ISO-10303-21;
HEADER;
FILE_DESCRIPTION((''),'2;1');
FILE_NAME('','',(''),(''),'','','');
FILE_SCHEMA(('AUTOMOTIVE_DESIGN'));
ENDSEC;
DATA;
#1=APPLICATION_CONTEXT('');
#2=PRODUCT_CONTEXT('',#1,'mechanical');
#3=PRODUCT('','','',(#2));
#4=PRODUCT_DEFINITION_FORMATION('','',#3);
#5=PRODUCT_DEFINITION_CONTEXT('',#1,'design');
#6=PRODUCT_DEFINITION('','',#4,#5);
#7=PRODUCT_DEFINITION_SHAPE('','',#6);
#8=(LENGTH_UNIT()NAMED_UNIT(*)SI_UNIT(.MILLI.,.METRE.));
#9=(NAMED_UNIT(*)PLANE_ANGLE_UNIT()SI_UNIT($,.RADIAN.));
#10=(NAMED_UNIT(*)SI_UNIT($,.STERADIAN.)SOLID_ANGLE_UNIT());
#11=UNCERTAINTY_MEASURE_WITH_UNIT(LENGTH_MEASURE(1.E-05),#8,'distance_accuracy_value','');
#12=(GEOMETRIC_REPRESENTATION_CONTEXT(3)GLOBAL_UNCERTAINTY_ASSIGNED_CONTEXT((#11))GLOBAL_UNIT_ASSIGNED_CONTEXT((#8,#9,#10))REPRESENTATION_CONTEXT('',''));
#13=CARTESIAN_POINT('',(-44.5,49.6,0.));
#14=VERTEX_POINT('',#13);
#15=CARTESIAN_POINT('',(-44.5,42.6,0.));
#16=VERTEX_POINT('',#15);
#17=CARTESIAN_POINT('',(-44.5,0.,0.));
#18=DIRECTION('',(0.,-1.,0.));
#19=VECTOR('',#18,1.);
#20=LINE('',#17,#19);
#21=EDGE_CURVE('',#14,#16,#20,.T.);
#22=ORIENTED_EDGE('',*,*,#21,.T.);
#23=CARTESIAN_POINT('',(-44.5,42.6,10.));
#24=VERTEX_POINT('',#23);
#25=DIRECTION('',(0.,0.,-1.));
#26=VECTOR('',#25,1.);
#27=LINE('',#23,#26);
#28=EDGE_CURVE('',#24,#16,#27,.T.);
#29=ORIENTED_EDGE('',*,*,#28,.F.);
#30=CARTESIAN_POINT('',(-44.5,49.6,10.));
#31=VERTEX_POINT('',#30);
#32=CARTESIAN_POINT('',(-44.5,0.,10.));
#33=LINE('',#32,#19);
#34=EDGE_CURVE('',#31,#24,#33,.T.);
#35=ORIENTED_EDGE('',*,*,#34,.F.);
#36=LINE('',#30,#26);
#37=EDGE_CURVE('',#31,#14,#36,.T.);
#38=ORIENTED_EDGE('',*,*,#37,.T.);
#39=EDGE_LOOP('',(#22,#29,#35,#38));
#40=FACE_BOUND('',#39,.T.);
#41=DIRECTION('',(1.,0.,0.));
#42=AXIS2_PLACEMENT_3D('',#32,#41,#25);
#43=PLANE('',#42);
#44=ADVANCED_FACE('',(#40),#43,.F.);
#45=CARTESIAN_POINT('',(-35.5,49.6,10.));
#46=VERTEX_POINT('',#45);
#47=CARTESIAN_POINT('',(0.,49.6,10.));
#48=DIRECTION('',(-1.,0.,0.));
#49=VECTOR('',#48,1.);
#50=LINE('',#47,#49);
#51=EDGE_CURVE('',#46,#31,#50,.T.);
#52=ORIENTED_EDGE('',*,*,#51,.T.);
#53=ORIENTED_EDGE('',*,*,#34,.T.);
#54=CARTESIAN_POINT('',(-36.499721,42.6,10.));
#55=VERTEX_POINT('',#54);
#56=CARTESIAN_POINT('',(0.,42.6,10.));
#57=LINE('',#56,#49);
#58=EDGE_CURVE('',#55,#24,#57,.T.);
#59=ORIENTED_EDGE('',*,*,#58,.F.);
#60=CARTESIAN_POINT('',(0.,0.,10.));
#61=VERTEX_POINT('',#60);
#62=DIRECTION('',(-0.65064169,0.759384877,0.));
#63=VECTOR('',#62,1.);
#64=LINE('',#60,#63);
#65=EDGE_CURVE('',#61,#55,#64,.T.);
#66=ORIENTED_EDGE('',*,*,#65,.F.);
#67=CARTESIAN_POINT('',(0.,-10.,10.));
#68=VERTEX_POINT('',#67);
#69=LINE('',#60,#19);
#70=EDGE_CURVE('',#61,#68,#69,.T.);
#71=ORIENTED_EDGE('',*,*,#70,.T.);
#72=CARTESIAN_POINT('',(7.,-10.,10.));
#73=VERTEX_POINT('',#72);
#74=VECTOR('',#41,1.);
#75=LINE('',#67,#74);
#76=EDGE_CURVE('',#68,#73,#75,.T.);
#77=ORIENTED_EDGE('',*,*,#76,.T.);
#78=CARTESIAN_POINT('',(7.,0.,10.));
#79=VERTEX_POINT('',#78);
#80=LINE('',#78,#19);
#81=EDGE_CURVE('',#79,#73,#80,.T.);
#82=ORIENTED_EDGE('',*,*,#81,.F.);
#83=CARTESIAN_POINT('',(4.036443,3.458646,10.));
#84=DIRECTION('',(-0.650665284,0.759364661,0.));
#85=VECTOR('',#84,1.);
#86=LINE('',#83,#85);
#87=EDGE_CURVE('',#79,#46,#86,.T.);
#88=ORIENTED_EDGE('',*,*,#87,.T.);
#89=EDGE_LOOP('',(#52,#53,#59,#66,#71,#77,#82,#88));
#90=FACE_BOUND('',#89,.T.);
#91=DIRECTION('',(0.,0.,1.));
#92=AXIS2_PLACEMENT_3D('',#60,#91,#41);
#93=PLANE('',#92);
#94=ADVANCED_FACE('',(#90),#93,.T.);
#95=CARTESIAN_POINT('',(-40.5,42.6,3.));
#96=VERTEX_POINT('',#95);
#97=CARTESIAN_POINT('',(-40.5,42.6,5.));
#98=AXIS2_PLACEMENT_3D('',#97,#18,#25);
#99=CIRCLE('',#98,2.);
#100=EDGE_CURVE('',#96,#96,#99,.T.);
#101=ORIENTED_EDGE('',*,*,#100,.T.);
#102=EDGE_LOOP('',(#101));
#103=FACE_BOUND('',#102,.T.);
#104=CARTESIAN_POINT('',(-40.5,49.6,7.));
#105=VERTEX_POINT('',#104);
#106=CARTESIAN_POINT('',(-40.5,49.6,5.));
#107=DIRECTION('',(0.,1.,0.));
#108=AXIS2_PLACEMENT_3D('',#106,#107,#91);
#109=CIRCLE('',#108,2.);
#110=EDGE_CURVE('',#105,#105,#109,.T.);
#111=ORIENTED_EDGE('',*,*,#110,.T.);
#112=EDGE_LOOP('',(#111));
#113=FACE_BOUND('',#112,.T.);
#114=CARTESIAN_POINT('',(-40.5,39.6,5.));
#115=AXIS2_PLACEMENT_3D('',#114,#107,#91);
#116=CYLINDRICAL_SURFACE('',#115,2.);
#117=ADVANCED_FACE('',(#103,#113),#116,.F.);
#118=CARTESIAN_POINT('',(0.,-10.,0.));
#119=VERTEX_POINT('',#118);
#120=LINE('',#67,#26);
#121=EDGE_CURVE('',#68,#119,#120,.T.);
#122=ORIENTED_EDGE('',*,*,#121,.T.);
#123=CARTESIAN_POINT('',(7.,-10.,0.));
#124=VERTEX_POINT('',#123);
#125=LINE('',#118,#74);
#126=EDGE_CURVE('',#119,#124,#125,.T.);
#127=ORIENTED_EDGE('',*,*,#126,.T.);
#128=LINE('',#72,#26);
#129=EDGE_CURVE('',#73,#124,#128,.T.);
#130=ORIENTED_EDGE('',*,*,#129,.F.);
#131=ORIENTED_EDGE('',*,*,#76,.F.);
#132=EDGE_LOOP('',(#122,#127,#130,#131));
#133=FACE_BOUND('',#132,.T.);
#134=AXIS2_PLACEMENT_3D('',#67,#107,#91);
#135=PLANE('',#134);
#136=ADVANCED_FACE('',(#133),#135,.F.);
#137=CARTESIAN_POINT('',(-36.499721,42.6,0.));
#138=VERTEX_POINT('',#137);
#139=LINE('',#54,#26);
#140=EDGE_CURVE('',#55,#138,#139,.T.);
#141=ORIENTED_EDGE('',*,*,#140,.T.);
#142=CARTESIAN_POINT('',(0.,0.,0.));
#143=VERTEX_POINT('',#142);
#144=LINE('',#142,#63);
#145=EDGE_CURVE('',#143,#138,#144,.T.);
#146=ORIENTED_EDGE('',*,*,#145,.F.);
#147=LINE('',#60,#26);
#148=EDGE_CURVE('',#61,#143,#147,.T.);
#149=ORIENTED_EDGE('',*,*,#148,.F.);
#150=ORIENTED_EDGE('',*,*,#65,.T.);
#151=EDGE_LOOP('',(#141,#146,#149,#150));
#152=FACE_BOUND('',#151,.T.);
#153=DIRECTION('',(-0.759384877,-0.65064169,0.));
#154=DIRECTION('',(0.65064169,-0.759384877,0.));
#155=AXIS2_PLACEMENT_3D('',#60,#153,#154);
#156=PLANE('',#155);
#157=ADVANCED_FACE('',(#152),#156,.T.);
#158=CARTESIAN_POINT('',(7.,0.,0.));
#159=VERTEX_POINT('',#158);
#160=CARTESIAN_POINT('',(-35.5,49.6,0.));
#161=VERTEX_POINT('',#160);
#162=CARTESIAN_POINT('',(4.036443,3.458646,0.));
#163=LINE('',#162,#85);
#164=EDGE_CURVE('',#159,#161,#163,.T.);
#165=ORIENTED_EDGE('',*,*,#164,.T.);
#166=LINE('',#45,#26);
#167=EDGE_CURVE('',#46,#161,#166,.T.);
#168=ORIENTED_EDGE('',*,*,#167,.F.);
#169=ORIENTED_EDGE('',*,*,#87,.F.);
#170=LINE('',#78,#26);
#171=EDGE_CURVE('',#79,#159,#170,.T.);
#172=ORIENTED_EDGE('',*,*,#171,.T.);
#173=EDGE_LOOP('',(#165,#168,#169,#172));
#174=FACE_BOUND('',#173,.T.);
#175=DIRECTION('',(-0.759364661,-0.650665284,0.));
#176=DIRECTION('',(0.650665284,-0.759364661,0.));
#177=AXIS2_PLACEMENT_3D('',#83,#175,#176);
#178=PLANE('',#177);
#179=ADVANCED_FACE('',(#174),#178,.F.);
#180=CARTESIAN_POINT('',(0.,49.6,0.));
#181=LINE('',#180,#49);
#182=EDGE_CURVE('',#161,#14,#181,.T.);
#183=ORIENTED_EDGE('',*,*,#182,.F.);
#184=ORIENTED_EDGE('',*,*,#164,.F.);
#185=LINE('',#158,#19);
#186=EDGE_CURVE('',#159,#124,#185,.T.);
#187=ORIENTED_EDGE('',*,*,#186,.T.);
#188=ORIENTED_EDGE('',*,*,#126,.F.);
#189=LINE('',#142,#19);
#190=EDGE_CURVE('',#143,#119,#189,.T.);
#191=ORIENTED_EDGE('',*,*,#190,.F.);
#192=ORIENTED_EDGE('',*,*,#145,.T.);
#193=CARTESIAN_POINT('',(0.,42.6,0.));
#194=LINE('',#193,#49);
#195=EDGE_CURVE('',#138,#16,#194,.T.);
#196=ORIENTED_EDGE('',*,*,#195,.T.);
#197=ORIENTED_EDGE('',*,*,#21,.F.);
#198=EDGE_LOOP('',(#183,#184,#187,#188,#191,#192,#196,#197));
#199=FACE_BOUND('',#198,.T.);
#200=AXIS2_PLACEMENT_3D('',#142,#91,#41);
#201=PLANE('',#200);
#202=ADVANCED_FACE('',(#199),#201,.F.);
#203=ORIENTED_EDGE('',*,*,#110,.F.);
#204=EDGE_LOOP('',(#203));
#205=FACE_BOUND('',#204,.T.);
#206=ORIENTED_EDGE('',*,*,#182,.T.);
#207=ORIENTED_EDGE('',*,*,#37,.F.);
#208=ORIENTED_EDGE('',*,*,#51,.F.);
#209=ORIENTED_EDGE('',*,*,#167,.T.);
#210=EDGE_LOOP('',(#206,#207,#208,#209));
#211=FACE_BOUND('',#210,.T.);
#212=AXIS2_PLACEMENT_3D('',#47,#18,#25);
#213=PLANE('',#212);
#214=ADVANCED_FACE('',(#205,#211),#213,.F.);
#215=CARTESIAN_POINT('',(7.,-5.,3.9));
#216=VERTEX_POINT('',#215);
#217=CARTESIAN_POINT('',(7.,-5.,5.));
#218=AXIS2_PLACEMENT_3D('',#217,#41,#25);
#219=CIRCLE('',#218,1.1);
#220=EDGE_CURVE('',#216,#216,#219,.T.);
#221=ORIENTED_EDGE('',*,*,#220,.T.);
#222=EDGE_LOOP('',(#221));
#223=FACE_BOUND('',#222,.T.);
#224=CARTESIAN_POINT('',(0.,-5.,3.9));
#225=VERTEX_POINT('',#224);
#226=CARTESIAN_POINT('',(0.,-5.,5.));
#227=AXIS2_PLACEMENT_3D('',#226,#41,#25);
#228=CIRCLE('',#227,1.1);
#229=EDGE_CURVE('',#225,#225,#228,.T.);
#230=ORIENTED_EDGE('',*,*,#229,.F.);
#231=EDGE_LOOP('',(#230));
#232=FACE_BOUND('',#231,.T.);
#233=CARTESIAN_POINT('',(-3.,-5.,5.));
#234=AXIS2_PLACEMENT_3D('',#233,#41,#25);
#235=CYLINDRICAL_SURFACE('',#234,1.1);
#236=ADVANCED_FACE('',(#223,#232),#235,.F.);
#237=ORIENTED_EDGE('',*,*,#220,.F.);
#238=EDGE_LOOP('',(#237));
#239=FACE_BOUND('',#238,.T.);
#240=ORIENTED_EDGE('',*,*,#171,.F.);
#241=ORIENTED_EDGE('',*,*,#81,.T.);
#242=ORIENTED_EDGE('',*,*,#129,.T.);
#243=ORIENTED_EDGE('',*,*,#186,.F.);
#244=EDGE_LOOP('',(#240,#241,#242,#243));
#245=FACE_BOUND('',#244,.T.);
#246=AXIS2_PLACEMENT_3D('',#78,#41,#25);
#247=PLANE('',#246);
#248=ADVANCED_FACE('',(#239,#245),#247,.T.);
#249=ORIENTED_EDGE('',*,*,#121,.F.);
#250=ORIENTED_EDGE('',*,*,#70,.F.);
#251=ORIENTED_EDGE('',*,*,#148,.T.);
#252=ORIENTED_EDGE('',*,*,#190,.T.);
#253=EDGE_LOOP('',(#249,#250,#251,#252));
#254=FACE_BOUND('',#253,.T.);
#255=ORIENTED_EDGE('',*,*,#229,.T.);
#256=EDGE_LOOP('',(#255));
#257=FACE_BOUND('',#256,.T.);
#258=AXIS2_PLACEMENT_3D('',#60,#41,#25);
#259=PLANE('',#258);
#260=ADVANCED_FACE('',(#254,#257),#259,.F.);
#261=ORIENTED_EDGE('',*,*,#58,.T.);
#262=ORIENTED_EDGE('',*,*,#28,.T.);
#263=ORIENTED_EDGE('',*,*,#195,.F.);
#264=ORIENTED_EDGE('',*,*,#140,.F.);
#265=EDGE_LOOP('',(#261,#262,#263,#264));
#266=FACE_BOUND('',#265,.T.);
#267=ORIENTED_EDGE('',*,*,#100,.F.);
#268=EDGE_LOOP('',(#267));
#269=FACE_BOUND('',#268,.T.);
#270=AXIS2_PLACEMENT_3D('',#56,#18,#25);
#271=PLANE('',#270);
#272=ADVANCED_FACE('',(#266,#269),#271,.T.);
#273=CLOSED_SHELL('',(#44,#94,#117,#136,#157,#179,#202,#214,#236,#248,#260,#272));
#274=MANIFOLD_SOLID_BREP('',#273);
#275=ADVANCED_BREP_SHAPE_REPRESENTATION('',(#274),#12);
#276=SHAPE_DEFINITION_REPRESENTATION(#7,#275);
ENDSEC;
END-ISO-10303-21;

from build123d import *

# Parameters (mm, degrees)
SALIENTE_EXTRUIR1_DEPTH = 10
CROQUIS3_R              = 2
CORTAR_EXTRUIR2_DEPTH   = 10
CROQUIS4_R              = 1.1
CORTAR_EXTRUIR3_DEPTH   = 10


with BuildPart() as part:
    # Croquis1 → Saliente-Extruir1 (new body)
    with BuildSketch(Plane.XY):
        Polygon((-36.499720763, 42.6), (0, 0), (0, -10), (7, -10), (7, 0), (-35.5, 49.6), (-44.5, 49.6), (-44.5, 42.6), align=None)
    extrude(amount=SALIENTE_EXTRUIR1_DEPTH)

    # Croquis3 → Cortar-Extruir2 (cut)
    with BuildSketch(Plane(origin=(0, 49.6, 0), x_dir=(1, 0, 0), z_dir=(0, 1, 0))):
        with Locations(Location((-40.5, -5, 0), (0, 0, 270))):
            Circle(CROQUIS3_R)
    extrude(amount=-CORTAR_EXTRUIR2_DEPTH, mode=Mode.SUBTRACT)

    # Croquis4 → Cortar-Extruir3 (cut)
    with BuildSketch(Plane(origin=(7, 0, 0), x_dir=(0, 0, -1), z_dir=(1, 0, 0))):
        with Locations((-5, -5)):
            Circle(CROQUIS4_R)
    extrude(amount=-CORTAR_EXTRUIR3_DEPTH, mode=Mode.SUBTRACT)


solid = part.part
